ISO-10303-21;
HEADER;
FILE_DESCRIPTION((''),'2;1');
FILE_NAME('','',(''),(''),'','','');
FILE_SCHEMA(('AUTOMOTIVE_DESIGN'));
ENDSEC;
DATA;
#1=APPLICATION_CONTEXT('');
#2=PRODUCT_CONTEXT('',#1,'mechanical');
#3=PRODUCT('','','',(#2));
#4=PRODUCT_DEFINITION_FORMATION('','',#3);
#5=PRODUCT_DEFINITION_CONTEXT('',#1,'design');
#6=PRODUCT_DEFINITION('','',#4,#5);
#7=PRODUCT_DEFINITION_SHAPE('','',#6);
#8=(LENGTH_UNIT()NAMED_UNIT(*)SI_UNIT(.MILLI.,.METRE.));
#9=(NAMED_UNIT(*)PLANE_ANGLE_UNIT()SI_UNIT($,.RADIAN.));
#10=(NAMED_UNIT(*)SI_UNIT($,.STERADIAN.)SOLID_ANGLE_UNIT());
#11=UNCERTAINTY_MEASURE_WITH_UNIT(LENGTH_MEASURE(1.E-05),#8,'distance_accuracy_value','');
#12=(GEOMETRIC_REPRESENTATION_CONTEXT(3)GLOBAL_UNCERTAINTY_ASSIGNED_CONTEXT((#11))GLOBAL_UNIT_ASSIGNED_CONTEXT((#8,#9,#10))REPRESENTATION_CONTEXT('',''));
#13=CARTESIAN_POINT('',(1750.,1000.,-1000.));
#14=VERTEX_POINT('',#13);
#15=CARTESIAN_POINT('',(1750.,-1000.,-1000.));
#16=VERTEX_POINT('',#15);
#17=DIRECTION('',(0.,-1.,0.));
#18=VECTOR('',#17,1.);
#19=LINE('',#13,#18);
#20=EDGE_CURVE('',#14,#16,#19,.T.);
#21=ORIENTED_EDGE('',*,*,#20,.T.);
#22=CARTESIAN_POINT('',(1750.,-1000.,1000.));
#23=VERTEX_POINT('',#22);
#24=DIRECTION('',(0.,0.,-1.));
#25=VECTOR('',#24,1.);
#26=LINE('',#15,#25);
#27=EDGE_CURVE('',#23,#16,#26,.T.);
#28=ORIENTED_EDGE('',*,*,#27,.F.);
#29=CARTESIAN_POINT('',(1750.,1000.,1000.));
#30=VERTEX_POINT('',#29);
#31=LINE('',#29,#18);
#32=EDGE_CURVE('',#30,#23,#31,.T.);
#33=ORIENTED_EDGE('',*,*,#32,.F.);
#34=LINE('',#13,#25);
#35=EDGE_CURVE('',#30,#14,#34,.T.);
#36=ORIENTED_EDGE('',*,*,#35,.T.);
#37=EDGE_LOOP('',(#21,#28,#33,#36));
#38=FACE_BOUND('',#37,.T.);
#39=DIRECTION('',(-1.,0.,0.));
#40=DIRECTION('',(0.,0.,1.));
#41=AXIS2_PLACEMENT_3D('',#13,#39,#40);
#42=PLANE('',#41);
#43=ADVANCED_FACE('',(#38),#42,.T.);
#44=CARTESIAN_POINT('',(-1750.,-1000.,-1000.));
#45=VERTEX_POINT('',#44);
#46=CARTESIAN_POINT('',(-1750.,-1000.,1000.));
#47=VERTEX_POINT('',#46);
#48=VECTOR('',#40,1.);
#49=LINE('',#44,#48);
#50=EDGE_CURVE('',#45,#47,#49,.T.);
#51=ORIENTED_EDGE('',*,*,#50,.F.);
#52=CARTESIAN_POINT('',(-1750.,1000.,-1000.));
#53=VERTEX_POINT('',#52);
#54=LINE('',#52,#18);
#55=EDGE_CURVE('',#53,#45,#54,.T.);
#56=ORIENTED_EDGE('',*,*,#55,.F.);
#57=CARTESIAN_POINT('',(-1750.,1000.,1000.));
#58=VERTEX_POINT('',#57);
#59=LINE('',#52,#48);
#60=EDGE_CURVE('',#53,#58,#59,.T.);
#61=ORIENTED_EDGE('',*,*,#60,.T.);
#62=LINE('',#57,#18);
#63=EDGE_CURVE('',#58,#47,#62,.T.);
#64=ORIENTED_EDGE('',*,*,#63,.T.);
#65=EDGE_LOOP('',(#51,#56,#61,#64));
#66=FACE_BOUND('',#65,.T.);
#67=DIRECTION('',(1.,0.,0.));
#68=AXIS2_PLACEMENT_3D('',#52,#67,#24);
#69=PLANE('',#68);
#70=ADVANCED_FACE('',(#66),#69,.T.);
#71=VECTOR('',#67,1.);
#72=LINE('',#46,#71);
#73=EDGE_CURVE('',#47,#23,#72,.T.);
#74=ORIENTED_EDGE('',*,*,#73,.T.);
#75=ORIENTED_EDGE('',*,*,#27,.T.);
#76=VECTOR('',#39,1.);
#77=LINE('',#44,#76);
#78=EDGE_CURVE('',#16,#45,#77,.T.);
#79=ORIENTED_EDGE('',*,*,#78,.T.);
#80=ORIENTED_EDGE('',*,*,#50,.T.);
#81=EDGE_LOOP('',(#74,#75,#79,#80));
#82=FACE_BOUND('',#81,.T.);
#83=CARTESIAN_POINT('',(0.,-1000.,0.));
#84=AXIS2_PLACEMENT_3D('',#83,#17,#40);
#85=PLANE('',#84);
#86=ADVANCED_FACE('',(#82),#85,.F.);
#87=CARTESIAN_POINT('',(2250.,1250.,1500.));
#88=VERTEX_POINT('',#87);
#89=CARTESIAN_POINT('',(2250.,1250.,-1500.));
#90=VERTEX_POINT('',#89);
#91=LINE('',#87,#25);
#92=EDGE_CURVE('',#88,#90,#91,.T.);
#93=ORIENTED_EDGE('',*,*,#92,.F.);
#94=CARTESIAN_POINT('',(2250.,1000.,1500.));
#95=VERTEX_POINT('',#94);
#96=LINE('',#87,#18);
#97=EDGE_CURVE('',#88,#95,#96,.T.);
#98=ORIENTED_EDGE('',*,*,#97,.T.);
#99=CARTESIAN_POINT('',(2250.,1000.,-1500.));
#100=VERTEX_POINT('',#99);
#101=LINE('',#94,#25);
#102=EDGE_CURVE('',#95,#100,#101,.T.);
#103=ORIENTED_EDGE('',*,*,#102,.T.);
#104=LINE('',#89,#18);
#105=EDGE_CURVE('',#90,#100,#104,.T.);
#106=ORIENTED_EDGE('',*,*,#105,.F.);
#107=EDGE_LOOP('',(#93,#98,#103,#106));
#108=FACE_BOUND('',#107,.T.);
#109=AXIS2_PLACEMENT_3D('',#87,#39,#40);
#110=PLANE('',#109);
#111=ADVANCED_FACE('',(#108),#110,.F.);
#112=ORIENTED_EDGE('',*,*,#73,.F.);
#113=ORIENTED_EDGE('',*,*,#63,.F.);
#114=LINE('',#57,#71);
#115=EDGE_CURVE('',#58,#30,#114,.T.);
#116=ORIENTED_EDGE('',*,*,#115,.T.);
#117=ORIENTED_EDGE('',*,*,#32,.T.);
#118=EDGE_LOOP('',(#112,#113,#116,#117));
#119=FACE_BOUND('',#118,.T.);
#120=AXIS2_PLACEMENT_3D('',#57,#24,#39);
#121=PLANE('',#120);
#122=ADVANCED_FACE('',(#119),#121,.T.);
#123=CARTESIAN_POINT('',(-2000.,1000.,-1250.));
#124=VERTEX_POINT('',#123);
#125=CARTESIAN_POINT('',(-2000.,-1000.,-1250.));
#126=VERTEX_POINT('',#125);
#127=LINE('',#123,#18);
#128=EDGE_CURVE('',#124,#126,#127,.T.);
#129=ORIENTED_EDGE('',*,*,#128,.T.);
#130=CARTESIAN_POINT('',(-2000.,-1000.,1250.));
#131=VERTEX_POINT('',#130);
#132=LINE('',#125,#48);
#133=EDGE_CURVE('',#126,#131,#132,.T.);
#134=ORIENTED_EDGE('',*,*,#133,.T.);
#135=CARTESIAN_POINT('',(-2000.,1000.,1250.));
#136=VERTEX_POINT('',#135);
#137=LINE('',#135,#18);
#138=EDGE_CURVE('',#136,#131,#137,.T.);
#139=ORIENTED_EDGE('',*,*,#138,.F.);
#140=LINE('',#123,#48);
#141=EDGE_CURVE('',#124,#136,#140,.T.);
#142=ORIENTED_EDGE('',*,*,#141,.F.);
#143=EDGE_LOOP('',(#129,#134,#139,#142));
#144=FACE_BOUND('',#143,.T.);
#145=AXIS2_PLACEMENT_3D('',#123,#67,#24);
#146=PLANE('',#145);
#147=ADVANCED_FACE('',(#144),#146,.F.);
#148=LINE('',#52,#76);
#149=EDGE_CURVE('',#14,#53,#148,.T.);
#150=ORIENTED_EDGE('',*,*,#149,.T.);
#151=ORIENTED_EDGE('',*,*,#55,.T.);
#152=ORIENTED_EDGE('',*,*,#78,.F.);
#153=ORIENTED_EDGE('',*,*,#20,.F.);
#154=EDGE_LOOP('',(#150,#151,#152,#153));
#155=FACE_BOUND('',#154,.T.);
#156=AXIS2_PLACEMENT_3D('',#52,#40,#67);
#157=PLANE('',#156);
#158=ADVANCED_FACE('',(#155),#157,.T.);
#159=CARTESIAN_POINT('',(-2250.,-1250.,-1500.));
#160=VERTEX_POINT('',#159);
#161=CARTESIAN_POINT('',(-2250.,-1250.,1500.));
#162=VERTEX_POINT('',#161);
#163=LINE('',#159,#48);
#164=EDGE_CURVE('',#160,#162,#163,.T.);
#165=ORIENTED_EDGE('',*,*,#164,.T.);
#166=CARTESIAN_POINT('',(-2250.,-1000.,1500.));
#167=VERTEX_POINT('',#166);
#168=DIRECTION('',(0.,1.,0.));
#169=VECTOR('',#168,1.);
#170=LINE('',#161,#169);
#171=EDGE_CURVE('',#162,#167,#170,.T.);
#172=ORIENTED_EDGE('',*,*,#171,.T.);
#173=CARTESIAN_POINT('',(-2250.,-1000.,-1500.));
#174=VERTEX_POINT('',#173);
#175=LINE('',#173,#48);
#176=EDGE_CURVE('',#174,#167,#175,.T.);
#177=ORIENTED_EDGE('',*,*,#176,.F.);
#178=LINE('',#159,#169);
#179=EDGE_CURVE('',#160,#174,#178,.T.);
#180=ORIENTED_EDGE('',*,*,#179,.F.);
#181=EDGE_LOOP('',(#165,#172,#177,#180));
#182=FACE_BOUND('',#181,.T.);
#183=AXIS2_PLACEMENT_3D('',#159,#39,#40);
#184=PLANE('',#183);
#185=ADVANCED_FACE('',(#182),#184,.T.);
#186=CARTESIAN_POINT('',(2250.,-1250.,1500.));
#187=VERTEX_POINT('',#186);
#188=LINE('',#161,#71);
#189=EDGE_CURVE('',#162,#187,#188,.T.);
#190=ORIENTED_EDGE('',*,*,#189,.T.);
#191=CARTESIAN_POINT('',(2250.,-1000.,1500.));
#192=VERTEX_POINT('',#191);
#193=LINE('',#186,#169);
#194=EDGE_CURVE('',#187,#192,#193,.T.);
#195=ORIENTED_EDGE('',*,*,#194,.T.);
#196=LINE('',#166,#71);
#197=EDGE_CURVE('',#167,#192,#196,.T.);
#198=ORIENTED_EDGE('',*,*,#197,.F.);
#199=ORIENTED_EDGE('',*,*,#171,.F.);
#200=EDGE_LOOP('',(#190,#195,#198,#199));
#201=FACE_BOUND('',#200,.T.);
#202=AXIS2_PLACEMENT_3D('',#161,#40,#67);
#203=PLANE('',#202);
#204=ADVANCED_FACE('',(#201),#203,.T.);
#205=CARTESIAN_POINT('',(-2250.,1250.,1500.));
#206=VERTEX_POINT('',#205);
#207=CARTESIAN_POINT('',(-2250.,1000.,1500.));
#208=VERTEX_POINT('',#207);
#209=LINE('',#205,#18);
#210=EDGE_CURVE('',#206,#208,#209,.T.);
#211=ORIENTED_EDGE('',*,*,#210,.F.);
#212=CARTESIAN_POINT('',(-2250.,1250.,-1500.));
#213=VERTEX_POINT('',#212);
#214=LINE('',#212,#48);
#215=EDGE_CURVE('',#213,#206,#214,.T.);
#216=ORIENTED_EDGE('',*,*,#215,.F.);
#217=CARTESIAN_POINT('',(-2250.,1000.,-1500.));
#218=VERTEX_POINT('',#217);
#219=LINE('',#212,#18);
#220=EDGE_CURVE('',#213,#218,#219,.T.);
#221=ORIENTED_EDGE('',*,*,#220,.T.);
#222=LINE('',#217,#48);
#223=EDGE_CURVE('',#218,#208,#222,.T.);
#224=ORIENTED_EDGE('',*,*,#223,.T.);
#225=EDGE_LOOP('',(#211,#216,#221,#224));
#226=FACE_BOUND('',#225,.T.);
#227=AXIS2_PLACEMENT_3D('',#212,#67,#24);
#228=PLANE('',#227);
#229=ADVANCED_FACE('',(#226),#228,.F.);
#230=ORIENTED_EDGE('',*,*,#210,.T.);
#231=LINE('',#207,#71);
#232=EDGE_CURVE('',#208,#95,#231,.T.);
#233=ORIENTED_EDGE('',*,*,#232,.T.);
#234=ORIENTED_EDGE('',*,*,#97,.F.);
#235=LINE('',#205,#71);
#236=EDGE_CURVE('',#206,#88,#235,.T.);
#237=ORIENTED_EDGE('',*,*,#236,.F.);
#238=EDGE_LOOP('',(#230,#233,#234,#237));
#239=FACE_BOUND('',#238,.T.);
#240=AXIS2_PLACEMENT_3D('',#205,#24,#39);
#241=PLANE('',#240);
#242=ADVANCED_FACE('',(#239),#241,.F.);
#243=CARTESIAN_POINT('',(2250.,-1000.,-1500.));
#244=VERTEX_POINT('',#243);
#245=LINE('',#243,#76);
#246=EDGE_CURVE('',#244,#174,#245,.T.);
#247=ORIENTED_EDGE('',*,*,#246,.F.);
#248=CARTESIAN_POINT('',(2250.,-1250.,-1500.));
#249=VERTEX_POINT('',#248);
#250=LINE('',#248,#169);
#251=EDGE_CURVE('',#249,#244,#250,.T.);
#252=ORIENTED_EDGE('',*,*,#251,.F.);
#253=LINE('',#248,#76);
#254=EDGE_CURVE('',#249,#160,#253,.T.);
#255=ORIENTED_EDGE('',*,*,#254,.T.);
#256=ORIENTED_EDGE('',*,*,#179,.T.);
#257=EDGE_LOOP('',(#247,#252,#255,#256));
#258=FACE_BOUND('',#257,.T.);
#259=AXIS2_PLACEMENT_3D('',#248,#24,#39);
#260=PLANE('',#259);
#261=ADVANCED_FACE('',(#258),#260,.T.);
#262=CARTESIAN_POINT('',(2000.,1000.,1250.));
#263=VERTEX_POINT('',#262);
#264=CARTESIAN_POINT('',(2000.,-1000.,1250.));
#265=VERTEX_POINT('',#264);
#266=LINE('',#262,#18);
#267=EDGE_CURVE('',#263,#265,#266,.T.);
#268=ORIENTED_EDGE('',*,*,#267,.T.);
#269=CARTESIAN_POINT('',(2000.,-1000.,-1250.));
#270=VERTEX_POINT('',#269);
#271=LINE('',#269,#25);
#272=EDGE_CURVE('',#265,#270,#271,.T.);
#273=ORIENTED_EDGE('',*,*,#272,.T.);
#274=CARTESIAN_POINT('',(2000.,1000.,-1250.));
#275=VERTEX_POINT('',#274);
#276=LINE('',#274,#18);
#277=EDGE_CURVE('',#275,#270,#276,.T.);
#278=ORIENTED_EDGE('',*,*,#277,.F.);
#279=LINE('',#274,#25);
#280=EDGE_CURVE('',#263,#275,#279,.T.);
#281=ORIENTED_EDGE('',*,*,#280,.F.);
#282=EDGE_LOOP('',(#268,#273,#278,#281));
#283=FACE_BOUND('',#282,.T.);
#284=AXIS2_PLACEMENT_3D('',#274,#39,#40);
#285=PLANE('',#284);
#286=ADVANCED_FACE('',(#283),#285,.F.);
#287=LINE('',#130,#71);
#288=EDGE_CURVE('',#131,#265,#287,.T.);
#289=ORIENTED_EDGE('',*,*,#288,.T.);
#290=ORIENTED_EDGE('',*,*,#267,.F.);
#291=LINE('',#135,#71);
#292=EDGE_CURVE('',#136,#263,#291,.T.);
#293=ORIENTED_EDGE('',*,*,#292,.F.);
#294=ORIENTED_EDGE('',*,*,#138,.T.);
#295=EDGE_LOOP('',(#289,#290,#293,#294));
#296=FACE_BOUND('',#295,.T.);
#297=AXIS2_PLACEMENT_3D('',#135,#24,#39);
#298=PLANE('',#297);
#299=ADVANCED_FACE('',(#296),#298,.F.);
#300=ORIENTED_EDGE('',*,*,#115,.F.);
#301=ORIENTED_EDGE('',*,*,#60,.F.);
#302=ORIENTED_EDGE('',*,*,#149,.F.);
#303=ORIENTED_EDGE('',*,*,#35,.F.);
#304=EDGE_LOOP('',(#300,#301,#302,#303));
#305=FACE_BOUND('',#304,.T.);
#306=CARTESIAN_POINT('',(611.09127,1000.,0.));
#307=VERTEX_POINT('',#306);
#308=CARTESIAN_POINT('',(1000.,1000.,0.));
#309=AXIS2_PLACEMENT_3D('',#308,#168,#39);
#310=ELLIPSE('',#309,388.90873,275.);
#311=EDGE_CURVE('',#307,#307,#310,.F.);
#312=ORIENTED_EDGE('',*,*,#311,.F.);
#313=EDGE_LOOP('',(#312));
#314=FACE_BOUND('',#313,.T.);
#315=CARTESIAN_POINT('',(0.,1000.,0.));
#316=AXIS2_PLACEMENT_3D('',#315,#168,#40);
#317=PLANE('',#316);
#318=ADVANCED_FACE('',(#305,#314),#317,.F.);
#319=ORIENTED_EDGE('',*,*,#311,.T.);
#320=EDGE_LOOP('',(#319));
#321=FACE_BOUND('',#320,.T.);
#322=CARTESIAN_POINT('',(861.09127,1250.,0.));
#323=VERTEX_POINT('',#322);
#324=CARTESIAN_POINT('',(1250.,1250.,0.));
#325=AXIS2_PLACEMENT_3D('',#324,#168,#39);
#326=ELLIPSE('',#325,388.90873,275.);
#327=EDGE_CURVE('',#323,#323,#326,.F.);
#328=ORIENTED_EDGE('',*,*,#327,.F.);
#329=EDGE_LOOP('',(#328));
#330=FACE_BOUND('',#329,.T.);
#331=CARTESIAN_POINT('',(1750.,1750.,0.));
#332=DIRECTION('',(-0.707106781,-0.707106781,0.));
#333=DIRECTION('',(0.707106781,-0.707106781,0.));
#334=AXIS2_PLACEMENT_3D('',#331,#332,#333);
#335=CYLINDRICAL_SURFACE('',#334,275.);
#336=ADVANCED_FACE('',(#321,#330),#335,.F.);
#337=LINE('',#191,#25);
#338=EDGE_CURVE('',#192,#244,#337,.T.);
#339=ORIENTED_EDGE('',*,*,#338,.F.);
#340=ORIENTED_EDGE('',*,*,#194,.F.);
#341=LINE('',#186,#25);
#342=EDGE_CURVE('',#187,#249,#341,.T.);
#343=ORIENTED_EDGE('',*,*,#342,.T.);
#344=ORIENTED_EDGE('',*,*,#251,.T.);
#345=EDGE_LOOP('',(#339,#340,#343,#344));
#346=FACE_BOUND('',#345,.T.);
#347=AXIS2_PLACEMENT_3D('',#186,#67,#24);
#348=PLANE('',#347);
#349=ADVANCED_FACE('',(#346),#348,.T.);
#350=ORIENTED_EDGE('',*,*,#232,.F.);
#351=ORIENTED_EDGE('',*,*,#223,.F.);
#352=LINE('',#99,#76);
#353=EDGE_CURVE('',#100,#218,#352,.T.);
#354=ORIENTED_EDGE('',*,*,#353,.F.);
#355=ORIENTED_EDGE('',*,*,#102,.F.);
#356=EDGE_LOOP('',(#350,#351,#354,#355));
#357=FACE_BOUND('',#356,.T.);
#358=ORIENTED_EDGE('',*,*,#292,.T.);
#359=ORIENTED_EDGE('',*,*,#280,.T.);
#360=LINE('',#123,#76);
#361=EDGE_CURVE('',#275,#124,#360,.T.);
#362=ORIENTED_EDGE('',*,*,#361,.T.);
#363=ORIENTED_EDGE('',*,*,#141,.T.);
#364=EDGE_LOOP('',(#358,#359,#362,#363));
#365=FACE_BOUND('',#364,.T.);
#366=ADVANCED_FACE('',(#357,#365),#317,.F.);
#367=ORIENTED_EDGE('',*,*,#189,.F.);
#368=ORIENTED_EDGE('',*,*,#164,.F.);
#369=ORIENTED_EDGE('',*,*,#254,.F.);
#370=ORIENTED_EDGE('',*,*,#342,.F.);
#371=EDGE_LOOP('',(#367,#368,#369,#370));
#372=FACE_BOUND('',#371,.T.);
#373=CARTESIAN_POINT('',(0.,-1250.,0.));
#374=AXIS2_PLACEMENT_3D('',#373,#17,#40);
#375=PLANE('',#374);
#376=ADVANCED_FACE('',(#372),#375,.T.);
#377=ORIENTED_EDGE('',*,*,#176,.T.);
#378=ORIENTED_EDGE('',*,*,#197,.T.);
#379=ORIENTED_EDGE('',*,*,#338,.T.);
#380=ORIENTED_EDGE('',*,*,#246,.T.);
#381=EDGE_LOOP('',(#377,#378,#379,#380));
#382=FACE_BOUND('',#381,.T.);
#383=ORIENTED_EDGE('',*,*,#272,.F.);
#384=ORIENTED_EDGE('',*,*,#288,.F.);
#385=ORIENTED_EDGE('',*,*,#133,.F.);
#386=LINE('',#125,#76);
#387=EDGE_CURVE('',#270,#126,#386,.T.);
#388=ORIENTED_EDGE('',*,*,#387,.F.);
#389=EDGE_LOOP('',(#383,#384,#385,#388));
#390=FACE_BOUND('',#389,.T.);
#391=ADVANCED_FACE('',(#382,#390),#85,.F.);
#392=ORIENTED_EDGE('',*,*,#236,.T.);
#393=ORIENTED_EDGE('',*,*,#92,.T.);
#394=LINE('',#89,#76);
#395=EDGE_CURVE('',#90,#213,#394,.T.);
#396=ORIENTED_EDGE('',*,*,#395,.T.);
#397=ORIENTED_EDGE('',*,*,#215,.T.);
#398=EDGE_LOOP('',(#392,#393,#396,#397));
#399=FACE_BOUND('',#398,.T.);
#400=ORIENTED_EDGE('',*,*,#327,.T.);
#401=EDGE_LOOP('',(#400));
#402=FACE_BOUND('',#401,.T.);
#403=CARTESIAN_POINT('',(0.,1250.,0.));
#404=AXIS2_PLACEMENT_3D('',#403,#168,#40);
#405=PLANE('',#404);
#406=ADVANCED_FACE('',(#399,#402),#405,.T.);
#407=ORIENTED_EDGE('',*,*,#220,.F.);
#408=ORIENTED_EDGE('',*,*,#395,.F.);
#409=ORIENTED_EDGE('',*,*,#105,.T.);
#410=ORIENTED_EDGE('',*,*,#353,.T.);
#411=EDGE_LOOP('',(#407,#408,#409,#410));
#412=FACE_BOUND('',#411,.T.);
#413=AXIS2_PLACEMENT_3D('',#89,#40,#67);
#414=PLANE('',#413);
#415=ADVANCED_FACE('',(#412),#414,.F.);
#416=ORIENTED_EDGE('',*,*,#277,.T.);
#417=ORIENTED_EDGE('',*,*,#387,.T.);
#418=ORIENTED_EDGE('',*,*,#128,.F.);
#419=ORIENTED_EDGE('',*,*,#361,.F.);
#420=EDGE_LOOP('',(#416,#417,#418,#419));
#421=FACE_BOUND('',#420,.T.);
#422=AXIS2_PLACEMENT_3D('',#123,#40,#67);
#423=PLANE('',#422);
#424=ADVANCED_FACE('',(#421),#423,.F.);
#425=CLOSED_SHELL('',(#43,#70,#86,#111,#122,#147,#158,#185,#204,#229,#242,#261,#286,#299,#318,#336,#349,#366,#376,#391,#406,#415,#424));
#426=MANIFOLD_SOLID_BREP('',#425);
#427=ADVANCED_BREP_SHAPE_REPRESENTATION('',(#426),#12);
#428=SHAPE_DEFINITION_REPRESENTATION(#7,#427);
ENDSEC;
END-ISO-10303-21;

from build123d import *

# Parameters (mm, degrees)
SKETCH1_W           = 4000
SKETCH1_H           = 2500
SKETCH1_W_2         = 3500
SKETCH1_H_2         = 2000
BOSS_EXTRUDE2_DEPTH = 1000
SKETCH4_W           = 4500
SKETCH4_H           = 3000
BOSS_EXTRUDE3_DEPTH = 250
SKETCH7_R           = 275
CUT_EXTRUDE1_DEPTH  = 3746.831015943


with BuildPart() as part:
    # Sketch1 → Boss-Extrude2 (new, symmetric)
    with BuildSketch(Plane(origin=(0, 0, 0), x_dir=(1, 0, 0), z_dir=(0, 1, 0))):
        Rectangle(SKETCH1_W, SKETCH1_H)
        Rectangle(SKETCH1_W_2, SKETCH1_H_2, mode=Mode.SUBTRACT)
    extrude(amount=BOSS_EXTRUDE2_DEPTH, both=True)

    # Sketch4 → Boss-Extrude3 (add)
    with BuildSketch(Plane(origin=(0, 1000, 0), x_dir=(1, 0, 0), z_dir=(0, 1, 0))):
        Rectangle(SKETCH4_W, SKETCH4_H)
    boss_extrude3 = extrude(amount=BOSS_EXTRUDE3_DEPTH)

    # Mirror1: Boss-Extrude3 across plane
    add(boss_extrude3.mirror(Plane.ZX))

    # Sketch7 → Cut-Extrude1 (cut, through all)
    with BuildSketch(Plane(origin=(625, 625, 0), x_dir=(0.7071067811865477, -0.7071067811865475, 0), z_dir=(0.7071067811865475, 0.7071067811865477, 0))):
        with Locations(Location((0, 0, 0), (0, 0, 180))):
            Circle(SKETCH7_R)
    extrude(amount=CUT_EXTRUDE1_DEPTH, mode=Mode.SUBTRACT)


solid = part.part
